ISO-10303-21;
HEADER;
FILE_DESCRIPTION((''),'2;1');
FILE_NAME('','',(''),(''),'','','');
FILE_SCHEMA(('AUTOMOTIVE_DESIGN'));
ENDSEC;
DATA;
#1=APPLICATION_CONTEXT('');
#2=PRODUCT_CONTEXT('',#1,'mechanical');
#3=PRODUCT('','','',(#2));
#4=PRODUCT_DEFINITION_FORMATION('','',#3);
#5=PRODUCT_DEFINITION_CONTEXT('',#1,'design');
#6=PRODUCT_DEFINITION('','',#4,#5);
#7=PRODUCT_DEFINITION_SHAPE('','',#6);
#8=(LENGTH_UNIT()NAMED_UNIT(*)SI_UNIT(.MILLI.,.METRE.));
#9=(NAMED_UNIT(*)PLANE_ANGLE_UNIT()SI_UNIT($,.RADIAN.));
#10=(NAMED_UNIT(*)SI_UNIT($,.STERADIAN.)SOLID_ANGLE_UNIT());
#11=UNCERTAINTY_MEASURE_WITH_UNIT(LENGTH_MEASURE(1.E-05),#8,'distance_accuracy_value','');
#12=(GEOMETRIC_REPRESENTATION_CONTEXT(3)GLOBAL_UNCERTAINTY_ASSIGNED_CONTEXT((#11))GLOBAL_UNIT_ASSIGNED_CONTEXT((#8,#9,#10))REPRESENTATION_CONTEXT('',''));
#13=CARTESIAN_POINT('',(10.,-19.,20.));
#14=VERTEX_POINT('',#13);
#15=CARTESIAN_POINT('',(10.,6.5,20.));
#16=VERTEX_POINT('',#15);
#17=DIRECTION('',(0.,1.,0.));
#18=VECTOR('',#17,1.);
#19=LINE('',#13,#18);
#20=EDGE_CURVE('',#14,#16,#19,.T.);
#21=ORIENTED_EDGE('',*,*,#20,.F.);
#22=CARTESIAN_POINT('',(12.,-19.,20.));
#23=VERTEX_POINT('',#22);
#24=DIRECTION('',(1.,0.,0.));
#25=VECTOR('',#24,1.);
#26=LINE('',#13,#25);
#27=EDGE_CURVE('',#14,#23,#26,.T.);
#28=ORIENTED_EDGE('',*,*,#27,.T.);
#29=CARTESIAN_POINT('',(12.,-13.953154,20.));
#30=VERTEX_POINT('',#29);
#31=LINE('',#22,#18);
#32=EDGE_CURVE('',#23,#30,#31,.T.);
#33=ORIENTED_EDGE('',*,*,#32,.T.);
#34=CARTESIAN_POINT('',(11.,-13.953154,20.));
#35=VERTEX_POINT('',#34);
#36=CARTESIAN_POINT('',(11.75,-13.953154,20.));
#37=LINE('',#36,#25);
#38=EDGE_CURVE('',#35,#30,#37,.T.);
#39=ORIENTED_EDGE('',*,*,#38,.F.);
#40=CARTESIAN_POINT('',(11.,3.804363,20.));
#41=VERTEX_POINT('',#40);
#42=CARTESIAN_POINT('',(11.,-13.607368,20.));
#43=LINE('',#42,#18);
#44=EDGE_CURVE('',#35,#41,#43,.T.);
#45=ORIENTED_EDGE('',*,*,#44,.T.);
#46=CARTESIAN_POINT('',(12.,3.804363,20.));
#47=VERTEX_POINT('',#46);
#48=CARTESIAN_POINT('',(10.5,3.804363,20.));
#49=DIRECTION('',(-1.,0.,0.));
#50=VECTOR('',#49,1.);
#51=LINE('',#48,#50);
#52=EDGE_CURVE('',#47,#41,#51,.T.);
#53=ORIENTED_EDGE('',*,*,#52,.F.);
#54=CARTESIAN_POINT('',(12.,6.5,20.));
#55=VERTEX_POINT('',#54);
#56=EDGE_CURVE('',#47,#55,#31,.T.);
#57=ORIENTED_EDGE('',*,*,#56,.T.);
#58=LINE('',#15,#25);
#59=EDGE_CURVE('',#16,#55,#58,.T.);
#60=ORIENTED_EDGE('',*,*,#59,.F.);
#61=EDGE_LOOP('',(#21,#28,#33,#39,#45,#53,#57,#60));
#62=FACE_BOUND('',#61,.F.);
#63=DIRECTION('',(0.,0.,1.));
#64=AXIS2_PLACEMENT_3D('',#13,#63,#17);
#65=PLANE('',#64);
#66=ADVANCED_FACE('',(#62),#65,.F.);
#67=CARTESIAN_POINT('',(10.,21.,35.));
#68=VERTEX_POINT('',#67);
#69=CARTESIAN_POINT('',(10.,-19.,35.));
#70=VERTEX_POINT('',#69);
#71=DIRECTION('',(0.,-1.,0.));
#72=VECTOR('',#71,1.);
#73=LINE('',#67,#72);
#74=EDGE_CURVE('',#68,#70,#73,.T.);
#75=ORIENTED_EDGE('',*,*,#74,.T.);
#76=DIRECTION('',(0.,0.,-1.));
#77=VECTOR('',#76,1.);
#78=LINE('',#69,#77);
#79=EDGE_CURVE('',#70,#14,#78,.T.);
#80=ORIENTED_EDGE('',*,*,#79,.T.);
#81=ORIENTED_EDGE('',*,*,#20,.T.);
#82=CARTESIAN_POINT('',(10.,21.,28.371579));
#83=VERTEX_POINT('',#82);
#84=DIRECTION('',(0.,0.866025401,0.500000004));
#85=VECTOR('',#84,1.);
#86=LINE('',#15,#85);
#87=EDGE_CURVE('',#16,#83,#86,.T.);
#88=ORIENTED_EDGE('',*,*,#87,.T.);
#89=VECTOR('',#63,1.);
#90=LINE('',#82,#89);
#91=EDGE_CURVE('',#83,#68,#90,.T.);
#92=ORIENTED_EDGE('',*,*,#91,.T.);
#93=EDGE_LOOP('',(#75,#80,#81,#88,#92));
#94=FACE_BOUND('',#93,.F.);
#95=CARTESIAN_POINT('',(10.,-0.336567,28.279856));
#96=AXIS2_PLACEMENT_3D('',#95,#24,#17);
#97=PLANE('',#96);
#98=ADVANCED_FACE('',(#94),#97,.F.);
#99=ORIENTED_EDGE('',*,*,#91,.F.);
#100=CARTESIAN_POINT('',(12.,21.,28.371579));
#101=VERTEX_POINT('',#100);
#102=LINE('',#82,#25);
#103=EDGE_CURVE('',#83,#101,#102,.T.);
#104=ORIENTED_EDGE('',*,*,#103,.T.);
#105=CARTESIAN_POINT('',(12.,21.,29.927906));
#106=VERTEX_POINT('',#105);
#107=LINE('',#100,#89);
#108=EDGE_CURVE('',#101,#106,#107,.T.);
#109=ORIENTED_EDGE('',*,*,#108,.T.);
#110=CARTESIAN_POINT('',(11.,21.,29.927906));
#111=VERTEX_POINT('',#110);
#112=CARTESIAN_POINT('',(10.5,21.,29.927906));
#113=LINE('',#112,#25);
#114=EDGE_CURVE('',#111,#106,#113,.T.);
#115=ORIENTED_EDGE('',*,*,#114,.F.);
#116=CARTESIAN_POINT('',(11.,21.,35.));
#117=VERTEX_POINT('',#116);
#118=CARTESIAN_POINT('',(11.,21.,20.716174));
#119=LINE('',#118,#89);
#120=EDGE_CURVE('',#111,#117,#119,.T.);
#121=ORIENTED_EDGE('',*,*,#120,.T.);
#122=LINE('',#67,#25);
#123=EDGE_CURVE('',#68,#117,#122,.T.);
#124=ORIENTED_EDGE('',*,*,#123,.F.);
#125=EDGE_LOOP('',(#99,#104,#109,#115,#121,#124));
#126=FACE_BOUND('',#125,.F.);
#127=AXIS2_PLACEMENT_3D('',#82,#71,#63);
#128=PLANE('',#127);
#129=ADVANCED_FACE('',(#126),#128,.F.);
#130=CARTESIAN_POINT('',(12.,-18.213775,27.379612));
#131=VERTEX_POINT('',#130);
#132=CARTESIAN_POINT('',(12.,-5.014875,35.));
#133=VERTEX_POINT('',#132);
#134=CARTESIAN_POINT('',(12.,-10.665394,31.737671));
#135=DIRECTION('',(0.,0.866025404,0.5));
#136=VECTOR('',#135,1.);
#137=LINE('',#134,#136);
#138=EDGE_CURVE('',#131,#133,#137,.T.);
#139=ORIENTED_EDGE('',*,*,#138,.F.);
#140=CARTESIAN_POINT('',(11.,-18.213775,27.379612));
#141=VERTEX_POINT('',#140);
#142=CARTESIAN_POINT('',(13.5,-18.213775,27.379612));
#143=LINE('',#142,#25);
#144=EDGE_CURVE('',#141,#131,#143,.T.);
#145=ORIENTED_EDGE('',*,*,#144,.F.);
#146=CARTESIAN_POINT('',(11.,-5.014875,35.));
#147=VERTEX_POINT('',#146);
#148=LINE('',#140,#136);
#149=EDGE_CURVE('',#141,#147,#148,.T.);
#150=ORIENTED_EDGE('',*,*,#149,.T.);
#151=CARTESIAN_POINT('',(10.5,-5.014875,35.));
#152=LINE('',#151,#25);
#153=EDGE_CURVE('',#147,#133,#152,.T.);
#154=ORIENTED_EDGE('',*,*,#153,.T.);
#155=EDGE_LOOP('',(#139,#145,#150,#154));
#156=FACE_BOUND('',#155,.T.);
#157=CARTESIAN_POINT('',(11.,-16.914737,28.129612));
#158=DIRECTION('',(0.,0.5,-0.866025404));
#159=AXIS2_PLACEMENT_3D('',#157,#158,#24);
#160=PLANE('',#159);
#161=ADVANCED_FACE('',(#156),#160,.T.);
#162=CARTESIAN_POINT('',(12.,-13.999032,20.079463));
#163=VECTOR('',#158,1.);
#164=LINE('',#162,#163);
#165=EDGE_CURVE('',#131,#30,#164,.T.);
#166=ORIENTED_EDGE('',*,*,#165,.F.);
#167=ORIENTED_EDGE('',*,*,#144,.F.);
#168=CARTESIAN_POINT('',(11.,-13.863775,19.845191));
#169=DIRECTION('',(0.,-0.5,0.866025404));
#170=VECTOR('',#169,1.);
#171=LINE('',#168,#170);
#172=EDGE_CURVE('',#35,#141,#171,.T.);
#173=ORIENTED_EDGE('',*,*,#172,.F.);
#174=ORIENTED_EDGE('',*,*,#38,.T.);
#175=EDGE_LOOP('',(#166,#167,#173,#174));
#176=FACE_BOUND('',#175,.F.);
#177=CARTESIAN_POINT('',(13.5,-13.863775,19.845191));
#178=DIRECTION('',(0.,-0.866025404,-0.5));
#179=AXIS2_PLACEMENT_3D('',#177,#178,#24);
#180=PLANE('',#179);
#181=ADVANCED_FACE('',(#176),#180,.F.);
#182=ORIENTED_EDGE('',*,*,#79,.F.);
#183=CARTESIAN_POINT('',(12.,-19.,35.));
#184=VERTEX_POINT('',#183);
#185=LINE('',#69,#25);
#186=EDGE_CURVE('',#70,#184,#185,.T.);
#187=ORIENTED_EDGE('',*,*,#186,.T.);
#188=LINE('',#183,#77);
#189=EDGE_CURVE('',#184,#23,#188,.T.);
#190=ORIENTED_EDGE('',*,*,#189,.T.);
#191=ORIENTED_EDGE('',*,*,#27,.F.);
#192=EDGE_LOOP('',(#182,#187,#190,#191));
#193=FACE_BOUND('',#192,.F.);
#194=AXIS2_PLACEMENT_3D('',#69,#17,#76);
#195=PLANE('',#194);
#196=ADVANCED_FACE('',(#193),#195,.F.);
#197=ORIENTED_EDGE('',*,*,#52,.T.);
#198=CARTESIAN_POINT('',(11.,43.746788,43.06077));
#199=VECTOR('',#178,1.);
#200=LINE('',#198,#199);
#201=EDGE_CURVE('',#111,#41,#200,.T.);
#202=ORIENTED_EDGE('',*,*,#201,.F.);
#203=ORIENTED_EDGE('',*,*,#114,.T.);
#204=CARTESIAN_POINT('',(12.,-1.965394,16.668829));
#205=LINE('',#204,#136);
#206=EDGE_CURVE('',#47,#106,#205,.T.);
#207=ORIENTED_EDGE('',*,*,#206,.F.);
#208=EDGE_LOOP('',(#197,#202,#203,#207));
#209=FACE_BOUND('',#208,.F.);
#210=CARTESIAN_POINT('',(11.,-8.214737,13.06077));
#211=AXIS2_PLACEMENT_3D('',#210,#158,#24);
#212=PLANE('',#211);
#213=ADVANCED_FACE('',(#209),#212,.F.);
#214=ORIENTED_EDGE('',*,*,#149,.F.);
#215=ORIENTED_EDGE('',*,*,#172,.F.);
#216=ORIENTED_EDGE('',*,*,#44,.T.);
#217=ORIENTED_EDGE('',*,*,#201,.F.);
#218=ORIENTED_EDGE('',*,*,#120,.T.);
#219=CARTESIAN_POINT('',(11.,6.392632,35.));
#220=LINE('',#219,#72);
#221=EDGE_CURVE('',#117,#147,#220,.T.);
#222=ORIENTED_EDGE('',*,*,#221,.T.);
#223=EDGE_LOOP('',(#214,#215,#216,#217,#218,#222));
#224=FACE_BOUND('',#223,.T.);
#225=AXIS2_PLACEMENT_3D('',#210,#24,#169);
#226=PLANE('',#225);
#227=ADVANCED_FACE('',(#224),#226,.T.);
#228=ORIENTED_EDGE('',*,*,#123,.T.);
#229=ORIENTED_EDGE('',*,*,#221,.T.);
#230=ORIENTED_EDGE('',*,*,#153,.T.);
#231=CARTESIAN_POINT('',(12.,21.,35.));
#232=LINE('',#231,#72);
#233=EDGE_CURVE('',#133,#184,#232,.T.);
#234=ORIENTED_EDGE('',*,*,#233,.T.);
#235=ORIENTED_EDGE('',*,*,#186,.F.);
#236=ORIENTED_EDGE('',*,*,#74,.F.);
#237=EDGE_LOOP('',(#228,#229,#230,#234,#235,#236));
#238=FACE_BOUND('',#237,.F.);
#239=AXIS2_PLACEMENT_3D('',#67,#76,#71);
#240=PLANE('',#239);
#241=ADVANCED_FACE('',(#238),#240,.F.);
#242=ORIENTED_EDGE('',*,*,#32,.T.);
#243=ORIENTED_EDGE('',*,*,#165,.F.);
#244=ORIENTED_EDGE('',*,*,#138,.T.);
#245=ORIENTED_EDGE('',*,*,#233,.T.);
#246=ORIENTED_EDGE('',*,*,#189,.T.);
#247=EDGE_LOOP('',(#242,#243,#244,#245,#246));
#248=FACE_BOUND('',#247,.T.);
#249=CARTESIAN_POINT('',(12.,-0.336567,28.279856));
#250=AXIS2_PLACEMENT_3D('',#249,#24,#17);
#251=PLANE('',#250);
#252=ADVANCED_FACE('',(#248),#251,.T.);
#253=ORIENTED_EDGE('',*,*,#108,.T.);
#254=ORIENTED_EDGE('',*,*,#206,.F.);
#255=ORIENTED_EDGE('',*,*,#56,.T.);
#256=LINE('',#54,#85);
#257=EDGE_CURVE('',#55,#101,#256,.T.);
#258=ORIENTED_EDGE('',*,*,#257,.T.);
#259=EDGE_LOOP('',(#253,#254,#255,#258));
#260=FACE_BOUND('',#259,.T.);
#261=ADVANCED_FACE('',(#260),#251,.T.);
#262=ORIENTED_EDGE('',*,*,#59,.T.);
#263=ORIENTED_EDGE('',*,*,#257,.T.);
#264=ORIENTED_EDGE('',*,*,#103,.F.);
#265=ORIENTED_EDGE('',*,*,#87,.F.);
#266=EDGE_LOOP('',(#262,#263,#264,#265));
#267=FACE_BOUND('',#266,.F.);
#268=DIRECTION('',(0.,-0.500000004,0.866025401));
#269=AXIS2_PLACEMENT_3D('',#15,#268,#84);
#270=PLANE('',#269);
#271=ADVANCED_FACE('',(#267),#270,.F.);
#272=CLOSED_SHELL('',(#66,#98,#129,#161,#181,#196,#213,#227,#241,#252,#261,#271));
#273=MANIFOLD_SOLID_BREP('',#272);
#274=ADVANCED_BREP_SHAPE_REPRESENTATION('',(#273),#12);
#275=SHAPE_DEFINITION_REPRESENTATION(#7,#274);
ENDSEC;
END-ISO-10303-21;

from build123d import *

# Parameters (mm, degrees)
SKETCH024_W             = 5
SKETCH024_H             = 17.4
EXTRUDE021_DEPTH        = 1.5
EXTRUDE021_DEPTH_BACK   = 60
BODY009_PLACEMENT_ANGLE = 30
EXTRUDE020_DEPTH        = 2


with BuildPart() as body009:
    # Sketch024 → Extrude021 (new body, two sides)
    with BuildSketch(Plane.XZ.offset(29)) as extrude021_sk:
        with Locations((10.5, 7.5)):
            Rectangle(SKETCH024_W, SKETCH024_H)
    extrude(amount=EXTRUDE021_DEPTH)
    extrude(extrude021_sk.sketch, amount=-EXTRUDE021_DEPTH_BACK)


with BuildPart() as body009_1:
    # Body009 placement: moved
    add(body009.part.moved(Location((3, 16.3, 28.6))).rotate(Axis((3, 16.3, 28.6), (1, 0, 0)), BODY009_PLACEMENT_ANGLE))


with BuildPart() as cut:
    # Sketch023 → Extrude020 (new body)
    with BuildSketch(Plane(origin=(0, 0, 0), x_dir=(0, -1, 0), z_dir=(-1, 0, 0))):
        Polygon((19, 35), (19, 20), (-6.5, 20), (-21, 28.371579), (-21, 35), align=None)
    extrude(amount=-EXTRUDE020_DEPTH)


with BuildPart() as cut_1:
    # Extrude020 placement: moved
    add(cut.part.moved(Location((10, 0, 0))))

    # Cut: cut Body009
    add(body009_1.part, mode=Mode.SUBTRACT)


solid = cut_1.part
